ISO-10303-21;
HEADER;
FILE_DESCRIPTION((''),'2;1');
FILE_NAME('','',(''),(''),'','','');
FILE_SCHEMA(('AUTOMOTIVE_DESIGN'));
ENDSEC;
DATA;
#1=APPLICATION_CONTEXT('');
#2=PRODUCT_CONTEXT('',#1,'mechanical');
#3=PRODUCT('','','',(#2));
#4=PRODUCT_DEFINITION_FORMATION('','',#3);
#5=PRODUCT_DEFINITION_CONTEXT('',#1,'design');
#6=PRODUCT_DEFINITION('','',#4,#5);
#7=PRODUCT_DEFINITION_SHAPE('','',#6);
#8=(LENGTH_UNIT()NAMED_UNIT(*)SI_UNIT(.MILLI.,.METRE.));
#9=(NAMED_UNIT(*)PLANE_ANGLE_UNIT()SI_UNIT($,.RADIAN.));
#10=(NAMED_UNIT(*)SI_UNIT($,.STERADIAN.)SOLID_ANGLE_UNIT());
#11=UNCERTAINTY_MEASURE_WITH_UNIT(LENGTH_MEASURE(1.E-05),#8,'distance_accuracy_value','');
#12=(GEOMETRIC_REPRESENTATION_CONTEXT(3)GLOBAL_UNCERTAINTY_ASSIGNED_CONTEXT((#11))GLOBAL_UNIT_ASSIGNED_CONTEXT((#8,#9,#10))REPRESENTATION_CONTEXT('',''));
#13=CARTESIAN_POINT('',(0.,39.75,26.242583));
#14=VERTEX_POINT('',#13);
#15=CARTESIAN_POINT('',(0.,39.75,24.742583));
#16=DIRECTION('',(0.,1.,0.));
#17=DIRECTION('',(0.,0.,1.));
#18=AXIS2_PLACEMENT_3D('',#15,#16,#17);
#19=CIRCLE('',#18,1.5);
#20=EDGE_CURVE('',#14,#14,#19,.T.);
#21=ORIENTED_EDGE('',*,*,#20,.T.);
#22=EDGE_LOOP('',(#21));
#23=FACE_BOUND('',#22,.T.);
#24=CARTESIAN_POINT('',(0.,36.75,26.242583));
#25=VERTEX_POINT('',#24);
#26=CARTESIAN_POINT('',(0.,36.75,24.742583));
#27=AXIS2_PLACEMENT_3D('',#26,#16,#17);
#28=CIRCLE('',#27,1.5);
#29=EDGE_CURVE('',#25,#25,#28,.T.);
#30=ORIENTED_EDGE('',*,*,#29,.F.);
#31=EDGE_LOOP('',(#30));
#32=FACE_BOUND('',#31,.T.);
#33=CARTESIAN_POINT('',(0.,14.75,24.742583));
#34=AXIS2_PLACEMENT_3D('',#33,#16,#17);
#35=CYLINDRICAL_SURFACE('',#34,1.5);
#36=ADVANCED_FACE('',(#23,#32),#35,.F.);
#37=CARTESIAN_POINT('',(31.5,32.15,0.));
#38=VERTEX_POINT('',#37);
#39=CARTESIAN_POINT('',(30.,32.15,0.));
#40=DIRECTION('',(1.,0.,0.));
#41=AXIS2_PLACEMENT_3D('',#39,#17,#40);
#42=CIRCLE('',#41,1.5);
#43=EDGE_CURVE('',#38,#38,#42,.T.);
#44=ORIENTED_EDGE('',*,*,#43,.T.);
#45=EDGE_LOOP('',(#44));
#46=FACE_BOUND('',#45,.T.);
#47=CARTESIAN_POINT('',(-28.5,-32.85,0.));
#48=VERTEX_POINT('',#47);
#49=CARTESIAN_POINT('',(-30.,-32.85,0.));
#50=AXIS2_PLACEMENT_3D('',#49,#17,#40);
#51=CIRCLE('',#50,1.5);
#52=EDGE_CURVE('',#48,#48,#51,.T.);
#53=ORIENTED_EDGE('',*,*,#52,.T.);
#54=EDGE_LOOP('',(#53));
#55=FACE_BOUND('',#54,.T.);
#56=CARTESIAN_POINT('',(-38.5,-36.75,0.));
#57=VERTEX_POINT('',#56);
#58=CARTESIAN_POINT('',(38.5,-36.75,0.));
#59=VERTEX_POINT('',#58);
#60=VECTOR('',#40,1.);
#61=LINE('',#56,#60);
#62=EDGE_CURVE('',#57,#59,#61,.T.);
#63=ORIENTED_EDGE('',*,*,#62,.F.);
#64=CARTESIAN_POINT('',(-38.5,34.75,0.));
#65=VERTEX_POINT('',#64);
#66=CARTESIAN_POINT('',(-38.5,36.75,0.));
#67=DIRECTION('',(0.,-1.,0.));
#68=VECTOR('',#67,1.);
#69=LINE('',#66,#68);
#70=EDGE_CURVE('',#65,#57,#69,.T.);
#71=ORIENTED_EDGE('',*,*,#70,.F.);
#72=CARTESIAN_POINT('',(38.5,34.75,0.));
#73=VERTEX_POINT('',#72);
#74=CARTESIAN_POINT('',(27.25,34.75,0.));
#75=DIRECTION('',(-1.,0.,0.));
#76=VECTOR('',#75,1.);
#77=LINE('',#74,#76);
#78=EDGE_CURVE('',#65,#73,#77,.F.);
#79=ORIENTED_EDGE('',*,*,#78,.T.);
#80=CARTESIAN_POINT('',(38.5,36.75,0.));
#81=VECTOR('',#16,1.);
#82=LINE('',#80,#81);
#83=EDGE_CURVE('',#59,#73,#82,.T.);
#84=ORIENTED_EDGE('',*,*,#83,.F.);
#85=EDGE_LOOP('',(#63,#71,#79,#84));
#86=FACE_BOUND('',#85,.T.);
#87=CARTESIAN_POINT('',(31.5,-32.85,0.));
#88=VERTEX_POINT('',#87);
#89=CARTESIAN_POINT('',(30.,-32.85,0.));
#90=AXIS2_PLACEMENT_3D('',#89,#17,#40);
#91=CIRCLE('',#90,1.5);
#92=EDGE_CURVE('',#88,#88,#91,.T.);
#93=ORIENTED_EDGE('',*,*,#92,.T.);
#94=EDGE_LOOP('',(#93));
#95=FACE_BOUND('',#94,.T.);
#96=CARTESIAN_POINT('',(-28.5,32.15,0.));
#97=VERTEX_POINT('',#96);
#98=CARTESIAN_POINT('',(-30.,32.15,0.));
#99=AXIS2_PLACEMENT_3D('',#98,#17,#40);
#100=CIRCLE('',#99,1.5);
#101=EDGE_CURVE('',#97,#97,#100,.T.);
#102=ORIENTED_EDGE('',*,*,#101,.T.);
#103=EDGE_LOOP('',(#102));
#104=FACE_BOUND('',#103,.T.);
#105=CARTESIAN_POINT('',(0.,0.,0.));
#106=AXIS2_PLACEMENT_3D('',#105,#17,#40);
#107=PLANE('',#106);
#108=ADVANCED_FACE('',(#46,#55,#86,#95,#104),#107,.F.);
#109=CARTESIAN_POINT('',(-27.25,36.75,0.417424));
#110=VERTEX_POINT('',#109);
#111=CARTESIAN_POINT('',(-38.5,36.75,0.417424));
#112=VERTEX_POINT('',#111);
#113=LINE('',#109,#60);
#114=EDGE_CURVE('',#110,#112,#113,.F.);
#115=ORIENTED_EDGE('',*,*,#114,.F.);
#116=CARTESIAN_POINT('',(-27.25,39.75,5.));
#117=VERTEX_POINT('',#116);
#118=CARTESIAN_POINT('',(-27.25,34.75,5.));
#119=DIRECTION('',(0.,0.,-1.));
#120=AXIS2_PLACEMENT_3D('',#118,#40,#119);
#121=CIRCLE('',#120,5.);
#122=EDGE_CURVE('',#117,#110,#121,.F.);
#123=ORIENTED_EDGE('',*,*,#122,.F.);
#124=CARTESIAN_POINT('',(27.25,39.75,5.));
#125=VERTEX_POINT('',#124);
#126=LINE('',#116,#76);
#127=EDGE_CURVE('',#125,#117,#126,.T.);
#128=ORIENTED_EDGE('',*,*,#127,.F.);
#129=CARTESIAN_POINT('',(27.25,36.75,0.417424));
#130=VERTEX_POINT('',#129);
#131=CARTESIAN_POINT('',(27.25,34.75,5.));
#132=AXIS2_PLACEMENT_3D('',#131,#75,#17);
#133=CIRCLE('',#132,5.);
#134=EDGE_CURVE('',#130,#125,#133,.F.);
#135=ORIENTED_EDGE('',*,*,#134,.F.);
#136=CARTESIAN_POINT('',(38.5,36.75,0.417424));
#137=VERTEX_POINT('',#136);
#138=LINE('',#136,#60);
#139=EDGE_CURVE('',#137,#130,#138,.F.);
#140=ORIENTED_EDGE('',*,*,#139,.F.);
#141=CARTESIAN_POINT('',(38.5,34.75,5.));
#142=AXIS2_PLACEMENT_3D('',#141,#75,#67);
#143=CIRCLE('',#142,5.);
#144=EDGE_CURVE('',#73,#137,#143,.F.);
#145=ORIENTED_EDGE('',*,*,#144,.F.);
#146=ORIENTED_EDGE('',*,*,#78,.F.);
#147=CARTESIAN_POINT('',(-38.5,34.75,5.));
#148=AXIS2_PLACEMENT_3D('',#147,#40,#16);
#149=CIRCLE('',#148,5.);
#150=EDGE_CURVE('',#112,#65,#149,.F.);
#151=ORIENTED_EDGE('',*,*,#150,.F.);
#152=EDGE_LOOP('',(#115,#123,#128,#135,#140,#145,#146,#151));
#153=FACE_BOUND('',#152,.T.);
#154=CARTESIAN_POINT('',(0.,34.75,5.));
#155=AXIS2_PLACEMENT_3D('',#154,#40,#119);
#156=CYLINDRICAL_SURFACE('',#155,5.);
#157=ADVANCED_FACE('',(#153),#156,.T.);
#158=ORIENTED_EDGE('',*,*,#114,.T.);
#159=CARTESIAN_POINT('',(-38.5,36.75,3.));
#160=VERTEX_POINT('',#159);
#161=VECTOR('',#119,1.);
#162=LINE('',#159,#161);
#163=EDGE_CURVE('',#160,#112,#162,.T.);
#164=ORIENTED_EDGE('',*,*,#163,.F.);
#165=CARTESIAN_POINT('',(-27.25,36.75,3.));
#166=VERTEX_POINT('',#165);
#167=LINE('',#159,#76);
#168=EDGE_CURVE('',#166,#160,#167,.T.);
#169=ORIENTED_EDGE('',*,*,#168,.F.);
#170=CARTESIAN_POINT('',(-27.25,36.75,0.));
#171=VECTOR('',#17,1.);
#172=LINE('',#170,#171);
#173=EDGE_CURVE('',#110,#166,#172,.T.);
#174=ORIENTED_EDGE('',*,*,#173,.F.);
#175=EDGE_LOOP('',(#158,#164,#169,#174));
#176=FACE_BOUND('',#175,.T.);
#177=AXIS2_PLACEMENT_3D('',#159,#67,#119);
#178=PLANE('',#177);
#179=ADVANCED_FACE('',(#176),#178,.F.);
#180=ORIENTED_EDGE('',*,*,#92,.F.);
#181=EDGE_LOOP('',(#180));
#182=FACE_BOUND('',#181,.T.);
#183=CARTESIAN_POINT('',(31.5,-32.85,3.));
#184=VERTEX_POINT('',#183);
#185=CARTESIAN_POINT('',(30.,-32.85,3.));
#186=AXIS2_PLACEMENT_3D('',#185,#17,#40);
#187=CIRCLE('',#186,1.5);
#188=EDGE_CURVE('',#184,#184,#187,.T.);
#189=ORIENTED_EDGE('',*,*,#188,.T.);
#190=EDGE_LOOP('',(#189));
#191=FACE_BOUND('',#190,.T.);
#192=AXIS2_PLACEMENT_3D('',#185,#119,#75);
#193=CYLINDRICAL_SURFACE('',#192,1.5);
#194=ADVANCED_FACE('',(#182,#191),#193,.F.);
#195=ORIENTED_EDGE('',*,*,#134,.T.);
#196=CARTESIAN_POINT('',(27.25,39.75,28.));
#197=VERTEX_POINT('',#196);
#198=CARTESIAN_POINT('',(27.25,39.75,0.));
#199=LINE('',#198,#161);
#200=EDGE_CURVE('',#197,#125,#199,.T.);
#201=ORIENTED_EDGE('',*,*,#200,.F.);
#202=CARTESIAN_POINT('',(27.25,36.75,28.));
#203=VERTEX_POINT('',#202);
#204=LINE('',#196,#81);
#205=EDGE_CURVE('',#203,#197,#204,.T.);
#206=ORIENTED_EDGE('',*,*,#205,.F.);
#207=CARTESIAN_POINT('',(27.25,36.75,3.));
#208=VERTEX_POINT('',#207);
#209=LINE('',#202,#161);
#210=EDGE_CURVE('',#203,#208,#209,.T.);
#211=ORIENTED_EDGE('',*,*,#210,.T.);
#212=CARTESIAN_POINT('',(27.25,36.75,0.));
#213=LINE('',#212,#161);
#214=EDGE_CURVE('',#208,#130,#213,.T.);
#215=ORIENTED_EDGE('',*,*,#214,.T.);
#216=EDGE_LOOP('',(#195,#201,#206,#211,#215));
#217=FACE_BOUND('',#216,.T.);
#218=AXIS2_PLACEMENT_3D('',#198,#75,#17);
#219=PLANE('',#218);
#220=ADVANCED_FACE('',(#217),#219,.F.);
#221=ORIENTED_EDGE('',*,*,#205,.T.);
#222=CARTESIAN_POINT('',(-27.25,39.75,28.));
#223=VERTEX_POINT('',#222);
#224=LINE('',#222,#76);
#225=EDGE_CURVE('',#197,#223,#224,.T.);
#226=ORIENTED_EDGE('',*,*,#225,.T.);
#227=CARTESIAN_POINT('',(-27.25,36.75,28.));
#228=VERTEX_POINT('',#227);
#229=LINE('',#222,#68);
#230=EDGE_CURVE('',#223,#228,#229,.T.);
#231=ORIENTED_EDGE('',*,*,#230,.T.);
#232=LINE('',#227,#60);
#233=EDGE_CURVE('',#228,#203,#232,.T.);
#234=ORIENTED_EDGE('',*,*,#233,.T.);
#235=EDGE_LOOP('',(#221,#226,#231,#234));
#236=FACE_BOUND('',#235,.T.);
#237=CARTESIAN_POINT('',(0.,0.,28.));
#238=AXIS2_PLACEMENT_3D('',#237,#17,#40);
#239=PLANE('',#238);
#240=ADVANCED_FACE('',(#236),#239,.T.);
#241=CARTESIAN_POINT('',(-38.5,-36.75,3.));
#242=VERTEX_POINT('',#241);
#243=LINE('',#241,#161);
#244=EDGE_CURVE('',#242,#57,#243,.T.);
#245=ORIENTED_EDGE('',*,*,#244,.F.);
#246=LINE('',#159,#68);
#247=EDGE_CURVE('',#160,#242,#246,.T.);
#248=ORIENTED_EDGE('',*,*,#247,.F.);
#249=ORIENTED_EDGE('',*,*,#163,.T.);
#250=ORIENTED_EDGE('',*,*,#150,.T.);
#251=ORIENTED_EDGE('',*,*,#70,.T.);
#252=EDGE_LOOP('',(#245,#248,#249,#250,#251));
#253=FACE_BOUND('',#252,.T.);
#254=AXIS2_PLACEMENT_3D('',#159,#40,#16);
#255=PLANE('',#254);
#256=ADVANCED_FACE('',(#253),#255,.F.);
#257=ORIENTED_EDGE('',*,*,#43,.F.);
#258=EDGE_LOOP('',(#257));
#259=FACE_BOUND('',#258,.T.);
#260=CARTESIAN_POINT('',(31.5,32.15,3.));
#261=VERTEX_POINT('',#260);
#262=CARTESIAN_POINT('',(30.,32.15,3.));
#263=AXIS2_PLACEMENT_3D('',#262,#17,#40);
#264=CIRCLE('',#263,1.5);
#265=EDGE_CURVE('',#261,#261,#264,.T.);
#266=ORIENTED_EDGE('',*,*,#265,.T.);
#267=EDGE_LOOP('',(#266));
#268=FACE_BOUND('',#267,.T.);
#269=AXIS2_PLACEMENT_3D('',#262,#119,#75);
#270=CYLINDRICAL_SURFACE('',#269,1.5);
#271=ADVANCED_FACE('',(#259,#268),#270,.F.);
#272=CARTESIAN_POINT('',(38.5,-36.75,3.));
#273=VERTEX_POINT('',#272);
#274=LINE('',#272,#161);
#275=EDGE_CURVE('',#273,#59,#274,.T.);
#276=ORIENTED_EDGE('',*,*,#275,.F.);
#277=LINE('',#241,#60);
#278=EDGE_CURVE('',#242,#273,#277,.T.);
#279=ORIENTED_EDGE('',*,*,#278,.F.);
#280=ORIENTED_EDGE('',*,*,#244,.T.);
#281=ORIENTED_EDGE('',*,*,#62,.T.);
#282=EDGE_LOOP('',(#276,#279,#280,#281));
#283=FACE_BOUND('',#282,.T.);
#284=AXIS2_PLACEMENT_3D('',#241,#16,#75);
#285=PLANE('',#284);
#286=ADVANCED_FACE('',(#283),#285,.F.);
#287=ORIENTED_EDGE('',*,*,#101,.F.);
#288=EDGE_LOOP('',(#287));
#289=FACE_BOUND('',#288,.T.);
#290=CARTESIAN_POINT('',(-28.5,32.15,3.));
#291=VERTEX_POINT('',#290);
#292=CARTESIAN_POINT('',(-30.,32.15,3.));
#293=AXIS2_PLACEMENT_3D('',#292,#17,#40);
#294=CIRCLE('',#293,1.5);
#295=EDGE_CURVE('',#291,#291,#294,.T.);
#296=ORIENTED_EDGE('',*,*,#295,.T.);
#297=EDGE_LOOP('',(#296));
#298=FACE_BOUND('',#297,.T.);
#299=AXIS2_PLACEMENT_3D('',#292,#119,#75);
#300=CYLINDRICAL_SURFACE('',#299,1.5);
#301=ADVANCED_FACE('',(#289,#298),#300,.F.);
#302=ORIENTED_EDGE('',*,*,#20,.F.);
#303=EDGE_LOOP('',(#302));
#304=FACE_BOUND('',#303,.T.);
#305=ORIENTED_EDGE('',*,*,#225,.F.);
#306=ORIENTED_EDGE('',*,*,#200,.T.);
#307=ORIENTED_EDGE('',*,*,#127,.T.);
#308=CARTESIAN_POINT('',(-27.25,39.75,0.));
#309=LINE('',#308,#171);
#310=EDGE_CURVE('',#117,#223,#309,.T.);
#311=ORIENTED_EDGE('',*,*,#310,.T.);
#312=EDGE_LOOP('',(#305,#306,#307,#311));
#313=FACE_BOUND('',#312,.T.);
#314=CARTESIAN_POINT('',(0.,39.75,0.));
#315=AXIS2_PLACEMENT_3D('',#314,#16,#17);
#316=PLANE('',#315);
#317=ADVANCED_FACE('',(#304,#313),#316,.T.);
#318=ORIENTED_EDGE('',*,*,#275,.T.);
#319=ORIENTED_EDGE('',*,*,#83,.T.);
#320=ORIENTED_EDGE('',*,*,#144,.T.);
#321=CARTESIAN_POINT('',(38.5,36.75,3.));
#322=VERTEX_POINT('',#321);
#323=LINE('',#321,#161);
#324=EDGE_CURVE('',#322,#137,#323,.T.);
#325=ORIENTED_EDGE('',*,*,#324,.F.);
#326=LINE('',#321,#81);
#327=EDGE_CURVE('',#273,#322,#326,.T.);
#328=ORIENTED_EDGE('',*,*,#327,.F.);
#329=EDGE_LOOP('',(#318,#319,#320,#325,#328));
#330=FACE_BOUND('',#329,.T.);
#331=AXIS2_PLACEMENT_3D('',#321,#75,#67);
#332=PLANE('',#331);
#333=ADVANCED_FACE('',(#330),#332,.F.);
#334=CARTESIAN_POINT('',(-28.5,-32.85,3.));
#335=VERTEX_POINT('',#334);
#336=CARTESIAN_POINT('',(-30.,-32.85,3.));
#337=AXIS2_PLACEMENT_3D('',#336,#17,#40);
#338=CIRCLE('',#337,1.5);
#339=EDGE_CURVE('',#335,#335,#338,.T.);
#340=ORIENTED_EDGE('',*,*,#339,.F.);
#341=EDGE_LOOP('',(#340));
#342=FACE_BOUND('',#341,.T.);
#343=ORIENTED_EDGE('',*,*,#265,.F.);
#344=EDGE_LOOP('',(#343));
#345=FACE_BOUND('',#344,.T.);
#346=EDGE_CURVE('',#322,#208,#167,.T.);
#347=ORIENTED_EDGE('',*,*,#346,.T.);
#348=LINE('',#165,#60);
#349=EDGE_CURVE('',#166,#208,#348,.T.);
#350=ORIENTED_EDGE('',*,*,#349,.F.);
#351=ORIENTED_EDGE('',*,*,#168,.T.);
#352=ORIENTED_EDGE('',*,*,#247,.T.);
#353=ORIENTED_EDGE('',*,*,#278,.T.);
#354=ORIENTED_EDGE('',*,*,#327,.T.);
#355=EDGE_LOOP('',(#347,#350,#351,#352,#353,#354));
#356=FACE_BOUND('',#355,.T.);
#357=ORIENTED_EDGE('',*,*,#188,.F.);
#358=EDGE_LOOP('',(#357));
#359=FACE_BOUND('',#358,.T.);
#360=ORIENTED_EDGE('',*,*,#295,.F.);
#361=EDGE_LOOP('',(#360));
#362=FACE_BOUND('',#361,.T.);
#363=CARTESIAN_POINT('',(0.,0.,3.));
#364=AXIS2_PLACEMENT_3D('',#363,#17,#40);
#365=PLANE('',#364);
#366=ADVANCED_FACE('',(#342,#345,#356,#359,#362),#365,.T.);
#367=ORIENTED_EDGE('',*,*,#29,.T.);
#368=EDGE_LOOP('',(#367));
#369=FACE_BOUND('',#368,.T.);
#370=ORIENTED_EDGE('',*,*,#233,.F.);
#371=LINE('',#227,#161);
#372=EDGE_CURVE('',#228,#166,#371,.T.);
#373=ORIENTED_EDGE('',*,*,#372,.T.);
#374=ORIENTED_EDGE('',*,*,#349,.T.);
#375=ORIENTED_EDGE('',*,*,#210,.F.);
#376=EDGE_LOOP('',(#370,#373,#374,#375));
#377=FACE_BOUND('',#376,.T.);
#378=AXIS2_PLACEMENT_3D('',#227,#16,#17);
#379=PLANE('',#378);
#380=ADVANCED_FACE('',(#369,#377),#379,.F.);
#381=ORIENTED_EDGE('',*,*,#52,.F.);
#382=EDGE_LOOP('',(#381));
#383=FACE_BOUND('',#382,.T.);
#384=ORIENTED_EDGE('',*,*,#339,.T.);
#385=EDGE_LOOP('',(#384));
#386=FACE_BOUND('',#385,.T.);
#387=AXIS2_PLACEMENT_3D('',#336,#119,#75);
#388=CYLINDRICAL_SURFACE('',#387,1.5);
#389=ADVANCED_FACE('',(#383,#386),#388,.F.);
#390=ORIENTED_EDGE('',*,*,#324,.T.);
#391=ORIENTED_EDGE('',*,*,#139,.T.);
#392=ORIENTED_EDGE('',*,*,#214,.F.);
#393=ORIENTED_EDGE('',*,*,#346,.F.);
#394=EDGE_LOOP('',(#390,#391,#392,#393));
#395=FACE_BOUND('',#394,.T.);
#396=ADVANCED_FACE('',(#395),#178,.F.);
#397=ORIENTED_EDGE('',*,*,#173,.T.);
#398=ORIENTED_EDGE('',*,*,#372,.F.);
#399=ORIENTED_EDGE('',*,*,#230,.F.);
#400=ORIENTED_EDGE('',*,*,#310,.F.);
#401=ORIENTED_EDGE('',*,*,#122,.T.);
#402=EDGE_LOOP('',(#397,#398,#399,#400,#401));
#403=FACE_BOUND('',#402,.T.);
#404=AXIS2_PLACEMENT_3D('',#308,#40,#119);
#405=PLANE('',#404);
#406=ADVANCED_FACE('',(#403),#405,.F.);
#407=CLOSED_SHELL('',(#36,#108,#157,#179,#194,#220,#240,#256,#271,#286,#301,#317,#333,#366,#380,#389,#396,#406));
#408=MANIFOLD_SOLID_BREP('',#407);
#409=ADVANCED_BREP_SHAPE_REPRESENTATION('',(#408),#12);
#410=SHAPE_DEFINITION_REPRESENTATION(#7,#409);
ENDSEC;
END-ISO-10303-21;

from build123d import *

# Parameters (mm, degrees)
ESQUISSE1_W             = 77
ESQUISSE1_H             = 73.5
ESQUISSE1_R             = 1.5
BOSS_EXTRU_1_DEPTH      = 3
ESQUISSE45_W            = 54.5
ESQUISSE45_H            = 3
BOSS_EXTRU_2_DEPTH      = 3
ESQUISSE46_W            = 54.5
ESQUISSE46_H            = 3
BOSS_EXTRU_3_DEPTH      = 25
CONG_1_R                = 5
ESQUISSE47_R            = 1.5
ENL_V_MAT_EXTRU_2_DEPTH = 25


with BuildPart() as part:
    # Esquisse1 → Boss.-Extru.1 (new body)
    with BuildSketch(Plane.XY):
        Rectangle(ESQUISSE1_W, ESQUISSE1_H)
        with Locations((30, 32.15)):
            Circle(ESQUISSE1_R, mode=Mode.SUBTRACT)
        with Locations((30, -32.85)):
            Circle(ESQUISSE1_R, mode=Mode.SUBTRACT)
        with Locations((-30, -32.85)):
            Circle(ESQUISSE1_R, mode=Mode.SUBTRACT)
        with Locations((-30, 32.15)):
            Circle(ESQUISSE1_R, mode=Mode.SUBTRACT)
    extrude(amount=BOSS_EXTRU_1_DEPTH)

    # Esquisse45 → Boss.-Extru.2 (add)
    with BuildSketch(Plane(origin=(0, 36.75, 0), x_dir=(1, 0, 0), z_dir=(0, 1, 0))):
        with Locations((0, -1.5)):
            Rectangle(ESQUISSE45_W, ESQUISSE45_H)
    extrude(amount=BOSS_EXTRU_2_DEPTH)

    # Esquisse46 → Boss.-Extru.3 (add)
    with BuildSketch(Plane.XY.offset(3)):
        with Locations((0, 38.25)):
            Rectangle(ESQUISSE46_W, ESQUISSE46_H)
    extrude(amount=BOSS_EXTRU_3_DEPTH)

    # Congé1
    cong_1_edges = [part.edges().sort_by_distance(p)[0] for p in [
        (0, 39.75, 0),
    ]]
    fillet(cong_1_edges, radius=CONG_1_R)

    # Esquisse47 → Enlèv. mat.-Extru.2 (cut)
    with BuildSketch(Plane(origin=(0, 39.75, 0), x_dir=(1, 0, 0), z_dir=(0, 1, 0))):
        with Locations(Location((0, -24.742583048, 0), (0, 0, 270))):
            Circle(ESQUISSE47_R)
    extrude(amount=-ENL_V_MAT_EXTRU_2_DEPTH, mode=Mode.SUBTRACT)


solid = part.part
